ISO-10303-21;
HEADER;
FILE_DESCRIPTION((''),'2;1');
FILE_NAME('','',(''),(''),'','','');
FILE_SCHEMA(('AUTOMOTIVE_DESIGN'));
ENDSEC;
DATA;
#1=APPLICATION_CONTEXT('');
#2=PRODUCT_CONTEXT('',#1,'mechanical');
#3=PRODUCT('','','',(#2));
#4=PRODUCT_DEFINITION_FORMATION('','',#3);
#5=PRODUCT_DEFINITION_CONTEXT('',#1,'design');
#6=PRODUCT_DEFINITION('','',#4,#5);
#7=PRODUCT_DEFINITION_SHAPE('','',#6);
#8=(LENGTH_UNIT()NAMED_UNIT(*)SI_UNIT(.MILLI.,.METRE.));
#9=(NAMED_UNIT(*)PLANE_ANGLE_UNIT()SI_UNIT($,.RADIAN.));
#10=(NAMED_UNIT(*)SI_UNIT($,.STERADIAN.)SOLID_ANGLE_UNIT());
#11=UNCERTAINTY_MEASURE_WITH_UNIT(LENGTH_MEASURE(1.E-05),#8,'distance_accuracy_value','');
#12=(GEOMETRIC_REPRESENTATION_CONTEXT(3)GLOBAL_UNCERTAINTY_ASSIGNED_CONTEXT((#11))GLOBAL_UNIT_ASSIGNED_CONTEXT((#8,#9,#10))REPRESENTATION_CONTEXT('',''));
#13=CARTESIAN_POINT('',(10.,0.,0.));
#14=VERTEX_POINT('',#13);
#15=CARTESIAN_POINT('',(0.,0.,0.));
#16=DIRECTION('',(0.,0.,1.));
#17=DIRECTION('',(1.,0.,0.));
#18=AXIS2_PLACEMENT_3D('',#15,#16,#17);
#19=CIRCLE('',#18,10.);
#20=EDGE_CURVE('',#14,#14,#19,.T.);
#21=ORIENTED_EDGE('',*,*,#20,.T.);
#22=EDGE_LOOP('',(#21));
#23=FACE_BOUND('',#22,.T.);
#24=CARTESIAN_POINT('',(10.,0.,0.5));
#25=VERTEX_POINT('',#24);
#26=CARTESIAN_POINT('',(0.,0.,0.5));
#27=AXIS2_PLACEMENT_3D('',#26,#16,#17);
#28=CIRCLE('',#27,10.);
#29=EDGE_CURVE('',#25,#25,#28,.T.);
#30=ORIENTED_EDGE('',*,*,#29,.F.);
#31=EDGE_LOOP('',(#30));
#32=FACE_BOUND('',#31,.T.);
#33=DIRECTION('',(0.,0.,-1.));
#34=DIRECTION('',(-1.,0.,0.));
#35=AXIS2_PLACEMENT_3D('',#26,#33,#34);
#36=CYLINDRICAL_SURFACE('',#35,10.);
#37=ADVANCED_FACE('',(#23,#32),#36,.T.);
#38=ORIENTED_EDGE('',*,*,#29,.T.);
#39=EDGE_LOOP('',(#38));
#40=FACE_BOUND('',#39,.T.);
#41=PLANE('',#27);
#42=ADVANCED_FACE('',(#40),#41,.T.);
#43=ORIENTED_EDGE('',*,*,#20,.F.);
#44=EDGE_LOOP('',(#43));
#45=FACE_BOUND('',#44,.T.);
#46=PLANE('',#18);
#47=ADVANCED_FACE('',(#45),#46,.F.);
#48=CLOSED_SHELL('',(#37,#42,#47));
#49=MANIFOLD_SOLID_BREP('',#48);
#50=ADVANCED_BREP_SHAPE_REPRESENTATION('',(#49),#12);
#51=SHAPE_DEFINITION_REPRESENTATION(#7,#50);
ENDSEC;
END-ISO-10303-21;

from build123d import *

# Parameters (mm, degrees)
SKETCH_1_R      = 10
EXTRUDE_1_DEPTH = 0.5


with BuildPart() as part:
    # 草图1 → 凸台-拉伸1 (new body)
    with BuildSketch(Plane.XY):
        Circle(SKETCH_1_R)
    extrude(amount=EXTRUDE_1_DEPTH)


solid = part.part
